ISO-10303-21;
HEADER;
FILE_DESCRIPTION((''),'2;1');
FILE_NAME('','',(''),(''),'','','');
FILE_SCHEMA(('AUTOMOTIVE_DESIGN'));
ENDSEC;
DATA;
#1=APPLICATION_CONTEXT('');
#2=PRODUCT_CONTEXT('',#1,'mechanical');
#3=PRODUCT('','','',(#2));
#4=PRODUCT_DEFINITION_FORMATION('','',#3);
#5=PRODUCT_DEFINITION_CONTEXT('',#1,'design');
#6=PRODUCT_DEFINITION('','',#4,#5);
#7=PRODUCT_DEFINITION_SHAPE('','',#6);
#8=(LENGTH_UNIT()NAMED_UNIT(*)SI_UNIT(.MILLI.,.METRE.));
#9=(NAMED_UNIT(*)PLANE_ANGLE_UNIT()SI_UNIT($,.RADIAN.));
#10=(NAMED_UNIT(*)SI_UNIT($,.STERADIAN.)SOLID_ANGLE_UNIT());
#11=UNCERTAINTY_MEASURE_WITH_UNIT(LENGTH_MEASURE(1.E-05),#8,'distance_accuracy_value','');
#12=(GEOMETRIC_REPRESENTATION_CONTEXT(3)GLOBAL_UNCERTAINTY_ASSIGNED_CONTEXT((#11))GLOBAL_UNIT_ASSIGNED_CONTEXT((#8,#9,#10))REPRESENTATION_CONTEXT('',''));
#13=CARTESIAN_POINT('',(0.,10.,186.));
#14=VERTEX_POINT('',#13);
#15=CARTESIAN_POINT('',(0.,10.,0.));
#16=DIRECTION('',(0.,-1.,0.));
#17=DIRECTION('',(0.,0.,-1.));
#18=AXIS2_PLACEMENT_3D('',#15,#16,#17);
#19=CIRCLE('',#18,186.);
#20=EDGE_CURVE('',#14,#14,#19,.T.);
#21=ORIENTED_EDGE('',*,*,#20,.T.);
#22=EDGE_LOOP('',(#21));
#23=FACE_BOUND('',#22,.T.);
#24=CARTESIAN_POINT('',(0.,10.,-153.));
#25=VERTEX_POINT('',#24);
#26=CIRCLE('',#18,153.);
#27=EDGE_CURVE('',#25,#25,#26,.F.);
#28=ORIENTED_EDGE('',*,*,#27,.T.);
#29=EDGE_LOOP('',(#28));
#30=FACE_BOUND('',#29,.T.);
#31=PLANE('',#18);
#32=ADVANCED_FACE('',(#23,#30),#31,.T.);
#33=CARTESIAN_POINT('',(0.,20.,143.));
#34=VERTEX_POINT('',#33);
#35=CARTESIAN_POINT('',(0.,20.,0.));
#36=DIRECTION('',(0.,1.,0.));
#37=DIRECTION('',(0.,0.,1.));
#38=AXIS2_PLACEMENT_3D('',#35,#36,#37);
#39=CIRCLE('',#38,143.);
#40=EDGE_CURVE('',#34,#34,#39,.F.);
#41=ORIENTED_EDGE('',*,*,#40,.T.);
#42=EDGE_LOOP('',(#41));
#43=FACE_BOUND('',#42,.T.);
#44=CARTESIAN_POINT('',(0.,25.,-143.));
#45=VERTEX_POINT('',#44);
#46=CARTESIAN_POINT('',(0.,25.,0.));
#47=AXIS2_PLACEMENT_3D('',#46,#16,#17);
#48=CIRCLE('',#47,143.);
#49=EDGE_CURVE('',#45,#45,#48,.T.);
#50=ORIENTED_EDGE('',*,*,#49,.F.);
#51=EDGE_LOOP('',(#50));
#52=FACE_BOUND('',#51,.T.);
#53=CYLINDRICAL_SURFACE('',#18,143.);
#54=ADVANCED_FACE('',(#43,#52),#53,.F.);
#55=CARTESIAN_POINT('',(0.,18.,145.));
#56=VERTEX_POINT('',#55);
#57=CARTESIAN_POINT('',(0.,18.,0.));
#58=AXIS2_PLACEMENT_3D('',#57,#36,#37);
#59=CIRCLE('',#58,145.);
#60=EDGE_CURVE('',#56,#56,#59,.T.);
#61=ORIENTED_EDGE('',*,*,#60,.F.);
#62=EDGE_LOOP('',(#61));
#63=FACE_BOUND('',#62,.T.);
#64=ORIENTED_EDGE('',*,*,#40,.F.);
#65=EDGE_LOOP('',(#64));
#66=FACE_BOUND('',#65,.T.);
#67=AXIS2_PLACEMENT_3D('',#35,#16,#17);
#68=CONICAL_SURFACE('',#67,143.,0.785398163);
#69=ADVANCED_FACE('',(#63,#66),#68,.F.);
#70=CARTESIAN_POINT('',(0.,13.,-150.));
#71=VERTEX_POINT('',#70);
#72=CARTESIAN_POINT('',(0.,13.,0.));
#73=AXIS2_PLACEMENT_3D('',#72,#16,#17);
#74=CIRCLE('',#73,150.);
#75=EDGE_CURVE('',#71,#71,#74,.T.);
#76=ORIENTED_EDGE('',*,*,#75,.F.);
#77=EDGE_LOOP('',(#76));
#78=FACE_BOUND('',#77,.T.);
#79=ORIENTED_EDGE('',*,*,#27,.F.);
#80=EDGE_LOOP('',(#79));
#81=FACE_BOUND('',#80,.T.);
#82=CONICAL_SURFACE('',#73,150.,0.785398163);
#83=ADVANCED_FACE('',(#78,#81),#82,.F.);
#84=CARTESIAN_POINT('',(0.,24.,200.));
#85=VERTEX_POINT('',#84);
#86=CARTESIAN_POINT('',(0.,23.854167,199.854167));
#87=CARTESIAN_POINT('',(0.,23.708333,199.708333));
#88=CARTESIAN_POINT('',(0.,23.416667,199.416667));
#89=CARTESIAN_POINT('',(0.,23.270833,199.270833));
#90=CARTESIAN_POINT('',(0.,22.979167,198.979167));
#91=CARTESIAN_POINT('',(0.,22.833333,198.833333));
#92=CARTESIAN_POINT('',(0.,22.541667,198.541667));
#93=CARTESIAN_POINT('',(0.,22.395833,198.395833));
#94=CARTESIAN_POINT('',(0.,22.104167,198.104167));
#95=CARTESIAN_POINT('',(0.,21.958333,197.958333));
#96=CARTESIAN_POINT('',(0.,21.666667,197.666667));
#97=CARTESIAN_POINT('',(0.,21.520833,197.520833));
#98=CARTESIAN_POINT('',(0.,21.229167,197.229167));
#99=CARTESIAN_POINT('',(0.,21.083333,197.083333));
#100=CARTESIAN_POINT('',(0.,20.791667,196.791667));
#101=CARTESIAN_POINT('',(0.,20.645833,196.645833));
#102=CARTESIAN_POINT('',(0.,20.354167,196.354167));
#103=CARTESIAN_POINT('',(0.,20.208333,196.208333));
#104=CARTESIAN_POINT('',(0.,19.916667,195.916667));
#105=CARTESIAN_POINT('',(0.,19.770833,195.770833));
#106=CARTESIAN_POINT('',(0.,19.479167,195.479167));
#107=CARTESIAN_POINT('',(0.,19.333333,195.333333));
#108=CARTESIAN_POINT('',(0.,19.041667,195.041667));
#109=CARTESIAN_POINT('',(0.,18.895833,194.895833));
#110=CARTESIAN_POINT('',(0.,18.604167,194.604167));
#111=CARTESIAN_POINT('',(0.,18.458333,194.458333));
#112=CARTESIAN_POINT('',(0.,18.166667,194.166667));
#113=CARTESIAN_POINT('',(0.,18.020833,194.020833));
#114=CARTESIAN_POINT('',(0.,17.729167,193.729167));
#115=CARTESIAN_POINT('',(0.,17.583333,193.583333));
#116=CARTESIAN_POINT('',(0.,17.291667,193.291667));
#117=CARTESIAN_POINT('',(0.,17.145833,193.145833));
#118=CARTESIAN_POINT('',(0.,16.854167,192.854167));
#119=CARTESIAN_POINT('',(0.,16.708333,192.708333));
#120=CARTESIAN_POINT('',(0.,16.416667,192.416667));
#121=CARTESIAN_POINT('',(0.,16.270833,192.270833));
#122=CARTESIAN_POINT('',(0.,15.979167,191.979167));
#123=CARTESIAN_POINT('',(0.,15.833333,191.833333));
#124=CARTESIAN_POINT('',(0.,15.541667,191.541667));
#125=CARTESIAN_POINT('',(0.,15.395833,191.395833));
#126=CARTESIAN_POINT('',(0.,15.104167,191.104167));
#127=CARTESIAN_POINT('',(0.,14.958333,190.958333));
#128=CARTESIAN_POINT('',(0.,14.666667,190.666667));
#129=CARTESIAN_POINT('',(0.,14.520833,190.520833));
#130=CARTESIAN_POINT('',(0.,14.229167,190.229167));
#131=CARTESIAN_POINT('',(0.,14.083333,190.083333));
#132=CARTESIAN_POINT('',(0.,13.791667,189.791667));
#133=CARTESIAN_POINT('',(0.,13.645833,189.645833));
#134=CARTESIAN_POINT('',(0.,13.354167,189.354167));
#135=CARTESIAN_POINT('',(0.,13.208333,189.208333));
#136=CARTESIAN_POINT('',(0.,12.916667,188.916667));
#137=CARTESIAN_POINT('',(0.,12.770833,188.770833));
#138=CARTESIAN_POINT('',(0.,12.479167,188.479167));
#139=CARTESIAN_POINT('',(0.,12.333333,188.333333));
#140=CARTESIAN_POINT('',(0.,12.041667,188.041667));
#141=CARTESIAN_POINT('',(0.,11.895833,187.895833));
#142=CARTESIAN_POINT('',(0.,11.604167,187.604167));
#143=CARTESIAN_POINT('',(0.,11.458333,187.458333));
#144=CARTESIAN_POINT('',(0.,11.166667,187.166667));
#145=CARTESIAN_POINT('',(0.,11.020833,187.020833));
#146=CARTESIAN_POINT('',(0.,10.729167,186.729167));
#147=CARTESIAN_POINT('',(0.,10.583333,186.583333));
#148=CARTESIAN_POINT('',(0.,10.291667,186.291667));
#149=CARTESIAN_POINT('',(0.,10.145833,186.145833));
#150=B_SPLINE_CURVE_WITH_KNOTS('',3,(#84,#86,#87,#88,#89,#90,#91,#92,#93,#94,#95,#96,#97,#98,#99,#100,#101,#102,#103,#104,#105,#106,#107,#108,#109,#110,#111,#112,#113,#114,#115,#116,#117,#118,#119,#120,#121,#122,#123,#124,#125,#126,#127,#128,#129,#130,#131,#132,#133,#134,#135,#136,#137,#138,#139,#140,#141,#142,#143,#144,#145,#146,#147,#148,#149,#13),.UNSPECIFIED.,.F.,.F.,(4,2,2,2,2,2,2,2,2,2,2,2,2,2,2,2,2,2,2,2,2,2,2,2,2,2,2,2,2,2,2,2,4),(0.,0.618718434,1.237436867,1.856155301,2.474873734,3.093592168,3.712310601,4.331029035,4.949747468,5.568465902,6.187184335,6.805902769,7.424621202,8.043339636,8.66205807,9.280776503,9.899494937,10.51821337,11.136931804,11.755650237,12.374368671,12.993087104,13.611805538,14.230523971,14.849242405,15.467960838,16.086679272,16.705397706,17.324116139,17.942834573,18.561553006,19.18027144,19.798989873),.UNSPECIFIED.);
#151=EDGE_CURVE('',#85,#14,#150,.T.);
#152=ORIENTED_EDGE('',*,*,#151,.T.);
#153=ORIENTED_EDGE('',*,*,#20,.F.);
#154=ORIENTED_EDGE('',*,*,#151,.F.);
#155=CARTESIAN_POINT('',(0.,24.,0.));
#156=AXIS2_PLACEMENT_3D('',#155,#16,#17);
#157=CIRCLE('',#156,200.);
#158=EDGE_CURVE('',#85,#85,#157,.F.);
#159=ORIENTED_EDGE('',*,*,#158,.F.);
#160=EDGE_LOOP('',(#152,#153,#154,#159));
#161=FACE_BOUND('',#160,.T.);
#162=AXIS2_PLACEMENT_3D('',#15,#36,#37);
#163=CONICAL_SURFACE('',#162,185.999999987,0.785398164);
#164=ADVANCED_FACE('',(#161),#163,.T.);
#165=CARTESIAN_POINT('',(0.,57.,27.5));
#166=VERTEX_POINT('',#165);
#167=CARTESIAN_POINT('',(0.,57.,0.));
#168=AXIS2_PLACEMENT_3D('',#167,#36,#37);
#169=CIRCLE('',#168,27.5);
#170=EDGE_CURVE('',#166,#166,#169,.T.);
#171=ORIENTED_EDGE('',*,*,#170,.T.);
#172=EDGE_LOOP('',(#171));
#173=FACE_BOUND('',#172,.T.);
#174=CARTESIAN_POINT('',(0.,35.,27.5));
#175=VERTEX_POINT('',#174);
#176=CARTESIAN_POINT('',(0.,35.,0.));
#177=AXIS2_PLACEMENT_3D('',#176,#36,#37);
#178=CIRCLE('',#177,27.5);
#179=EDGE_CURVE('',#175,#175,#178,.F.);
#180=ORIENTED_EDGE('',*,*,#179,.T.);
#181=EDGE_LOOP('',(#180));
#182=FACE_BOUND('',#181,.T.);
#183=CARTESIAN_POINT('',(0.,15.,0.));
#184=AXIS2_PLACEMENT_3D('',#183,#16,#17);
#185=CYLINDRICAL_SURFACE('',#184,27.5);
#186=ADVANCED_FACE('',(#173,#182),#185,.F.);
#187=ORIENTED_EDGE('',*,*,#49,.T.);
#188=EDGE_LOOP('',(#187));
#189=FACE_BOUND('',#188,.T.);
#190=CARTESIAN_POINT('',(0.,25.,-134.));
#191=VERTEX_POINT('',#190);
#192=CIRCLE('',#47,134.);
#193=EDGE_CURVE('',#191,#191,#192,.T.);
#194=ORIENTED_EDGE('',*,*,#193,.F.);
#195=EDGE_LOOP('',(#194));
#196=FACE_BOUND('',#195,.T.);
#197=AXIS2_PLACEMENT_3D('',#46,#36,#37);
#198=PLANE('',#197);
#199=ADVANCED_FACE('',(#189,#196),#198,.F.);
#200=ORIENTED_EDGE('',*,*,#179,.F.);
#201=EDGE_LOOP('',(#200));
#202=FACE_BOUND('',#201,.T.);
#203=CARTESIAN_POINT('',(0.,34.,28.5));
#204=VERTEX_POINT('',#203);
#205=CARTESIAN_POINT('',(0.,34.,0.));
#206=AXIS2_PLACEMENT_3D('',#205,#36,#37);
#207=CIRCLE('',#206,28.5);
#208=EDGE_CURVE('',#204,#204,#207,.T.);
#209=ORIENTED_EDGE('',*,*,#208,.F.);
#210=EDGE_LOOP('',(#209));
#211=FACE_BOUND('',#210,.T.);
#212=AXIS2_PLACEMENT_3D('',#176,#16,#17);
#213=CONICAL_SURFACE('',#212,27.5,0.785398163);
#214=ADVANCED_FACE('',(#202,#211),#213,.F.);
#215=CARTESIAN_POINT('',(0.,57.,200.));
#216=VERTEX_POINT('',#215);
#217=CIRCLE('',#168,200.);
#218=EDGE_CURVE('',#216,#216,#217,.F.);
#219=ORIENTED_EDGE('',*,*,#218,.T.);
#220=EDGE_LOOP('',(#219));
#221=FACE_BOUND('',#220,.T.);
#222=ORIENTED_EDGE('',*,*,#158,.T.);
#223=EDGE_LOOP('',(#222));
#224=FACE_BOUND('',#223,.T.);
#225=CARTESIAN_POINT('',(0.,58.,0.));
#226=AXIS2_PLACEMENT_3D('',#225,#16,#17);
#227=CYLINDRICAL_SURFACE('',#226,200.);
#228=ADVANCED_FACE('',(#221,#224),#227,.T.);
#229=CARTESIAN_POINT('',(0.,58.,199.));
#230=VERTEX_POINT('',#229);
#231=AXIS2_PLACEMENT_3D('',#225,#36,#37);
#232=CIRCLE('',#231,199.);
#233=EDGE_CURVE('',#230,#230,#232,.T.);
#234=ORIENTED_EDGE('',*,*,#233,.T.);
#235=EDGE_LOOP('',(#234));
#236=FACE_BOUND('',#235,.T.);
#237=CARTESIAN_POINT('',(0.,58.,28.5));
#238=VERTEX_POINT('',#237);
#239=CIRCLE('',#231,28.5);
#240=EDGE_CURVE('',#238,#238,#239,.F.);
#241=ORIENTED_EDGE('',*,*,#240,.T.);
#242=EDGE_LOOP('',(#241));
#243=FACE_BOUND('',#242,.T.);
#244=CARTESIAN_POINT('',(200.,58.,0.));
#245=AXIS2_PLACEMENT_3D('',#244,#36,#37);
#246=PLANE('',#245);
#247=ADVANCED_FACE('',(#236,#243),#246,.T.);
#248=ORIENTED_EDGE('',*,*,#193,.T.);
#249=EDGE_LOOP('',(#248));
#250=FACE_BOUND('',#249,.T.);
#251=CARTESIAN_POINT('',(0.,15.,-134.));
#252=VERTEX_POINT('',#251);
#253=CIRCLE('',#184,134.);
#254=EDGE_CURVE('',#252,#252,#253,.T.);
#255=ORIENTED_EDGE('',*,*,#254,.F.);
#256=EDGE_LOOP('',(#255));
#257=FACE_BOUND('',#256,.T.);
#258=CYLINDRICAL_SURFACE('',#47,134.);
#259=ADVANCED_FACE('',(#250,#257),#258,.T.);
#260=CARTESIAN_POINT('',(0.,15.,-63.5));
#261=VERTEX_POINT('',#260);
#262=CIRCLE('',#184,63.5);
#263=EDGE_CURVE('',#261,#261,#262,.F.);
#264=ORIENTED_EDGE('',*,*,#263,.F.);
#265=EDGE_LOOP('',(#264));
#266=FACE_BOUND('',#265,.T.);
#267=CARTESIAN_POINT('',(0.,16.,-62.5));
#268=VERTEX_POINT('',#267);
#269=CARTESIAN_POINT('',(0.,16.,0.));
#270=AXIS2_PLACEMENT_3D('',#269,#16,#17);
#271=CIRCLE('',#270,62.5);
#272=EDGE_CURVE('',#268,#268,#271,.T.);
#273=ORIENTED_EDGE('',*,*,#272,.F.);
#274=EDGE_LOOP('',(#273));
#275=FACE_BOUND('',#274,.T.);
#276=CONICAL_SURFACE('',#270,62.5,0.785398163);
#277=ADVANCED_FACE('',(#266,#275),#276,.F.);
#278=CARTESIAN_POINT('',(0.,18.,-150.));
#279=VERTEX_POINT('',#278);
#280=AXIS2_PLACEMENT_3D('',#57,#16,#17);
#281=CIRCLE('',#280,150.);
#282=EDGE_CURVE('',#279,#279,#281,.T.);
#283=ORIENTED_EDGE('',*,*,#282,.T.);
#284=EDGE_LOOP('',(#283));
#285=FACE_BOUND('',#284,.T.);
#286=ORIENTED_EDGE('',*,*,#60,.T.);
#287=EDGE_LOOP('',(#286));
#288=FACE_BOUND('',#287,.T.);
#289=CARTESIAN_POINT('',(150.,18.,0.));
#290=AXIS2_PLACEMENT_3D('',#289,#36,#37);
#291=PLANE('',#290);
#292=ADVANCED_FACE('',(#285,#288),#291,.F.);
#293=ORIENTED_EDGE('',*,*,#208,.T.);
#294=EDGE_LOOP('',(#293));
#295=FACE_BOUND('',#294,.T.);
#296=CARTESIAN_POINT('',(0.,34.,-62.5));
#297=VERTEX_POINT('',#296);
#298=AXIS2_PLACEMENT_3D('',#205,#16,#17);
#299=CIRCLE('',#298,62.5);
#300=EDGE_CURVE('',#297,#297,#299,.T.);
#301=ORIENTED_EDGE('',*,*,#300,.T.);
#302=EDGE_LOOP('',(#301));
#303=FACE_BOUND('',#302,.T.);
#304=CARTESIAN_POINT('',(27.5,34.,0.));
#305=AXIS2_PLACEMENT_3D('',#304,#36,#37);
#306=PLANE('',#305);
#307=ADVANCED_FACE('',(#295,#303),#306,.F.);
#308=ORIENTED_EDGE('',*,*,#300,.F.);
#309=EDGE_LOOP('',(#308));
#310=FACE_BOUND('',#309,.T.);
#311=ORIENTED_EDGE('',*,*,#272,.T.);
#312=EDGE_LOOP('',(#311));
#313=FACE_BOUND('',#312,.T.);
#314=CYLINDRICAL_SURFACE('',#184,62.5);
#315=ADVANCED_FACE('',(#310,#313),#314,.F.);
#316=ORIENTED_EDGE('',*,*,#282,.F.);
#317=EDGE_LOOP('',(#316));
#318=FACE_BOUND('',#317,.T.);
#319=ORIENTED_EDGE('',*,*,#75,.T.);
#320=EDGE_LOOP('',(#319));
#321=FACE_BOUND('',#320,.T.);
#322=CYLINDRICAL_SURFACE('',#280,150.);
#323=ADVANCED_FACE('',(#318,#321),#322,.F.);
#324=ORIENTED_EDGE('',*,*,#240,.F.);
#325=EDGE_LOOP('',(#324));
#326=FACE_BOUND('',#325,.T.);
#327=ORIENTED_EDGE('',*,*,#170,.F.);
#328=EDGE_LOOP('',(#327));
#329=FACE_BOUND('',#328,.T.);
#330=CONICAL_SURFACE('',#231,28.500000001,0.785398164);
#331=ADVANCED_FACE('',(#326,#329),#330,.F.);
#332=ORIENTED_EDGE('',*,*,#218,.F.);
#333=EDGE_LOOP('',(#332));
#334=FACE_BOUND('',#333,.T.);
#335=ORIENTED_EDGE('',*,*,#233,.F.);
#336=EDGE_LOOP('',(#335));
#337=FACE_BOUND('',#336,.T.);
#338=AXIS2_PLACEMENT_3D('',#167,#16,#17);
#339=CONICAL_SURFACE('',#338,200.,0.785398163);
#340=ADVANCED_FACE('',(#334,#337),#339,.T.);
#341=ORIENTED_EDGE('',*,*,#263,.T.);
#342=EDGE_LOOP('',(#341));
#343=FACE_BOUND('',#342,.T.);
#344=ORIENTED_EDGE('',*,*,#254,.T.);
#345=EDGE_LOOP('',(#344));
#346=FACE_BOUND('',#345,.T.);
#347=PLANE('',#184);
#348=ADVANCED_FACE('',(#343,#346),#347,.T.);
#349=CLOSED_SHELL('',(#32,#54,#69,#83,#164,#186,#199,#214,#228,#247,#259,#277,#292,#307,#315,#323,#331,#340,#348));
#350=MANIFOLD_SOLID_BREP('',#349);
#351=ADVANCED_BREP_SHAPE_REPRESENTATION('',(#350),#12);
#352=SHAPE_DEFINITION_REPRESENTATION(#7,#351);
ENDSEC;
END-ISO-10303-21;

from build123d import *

# Parameters (mm, degrees)
SKETCH_1_W                = 200
SKETCH_1_H                = 48
HOLE_WIZARD_1_D           = 286
HOLE_WIZARD_1_DEPTH       = 15
SKETCH_4_W                = 134
SKETCH_4_H                = 10
SKETCH_5_W                = 7
SKETCH_5_H                = 8
HOLE_WIZARD_3_D           = 55
HOLE_WIZARD_3_CBORE_D     = 125
HOLE_WIZARD_3_CBORE_DEPTH = 19
CHAMFER_1_SIZE2           = 1.000000001
CHAMFER_1_SIZE            = 0.999999999
CHAMFER_2_SIZE            = 2.999999997
CHAMFER_2_SIZE2           = 3.000000003
CHAMFER_3_SIZE            = 13.999999987
CHAMFER_3_SIZE2           = 14.000000013
CHAMFER_4_SIZE            = 1.999999998
CHAMFER_4_SIZE2           = 2.000000002


with BuildPart() as part:
    # 草圖1 → 旋轉1 (revolve)
    with BuildSketch(Plane.XY, mode=Mode.PRIVATE) as revolve_1_sk:
        with Locations((100, 34)):
            Rectangle(SKETCH_1_W, SKETCH_1_H)
    revolve(revolve_1_sk.sketch.rotate(Axis((0, 58, 0), (0, -1, 0)), 270), axis=Axis((0, 58, 0), (0, -1, 0)))

    # 鑽孔1
    with Locations(Plane(origin=(0, 10, 0), x_dir=(-1, 0, 0), z_dir=(0, -1, 0))):
        with Locations((0, 0)):
            Hole(HOLE_WIZARD_1_D / 2, depth=HOLE_WIZARD_1_DEPTH)

    # 草圖4 → 旋轉2 (revolve)
    with BuildSketch(Plane.XY, mode=Mode.PRIVATE) as revolve_2_sk:
        with Locations((67, 20)):
            Rectangle(SKETCH_4_W, SKETCH_4_H)
    revolve(revolve_2_sk.sketch.rotate(Axis((0, 25, 0), (0, -1, 0)), 270), axis=Axis((0, 25, 0), (0, -1, 0)))

    # 草圖5 → 除料-旋轉1 (revolve, cut)
    with BuildSketch(Plane.XY, mode=Mode.PRIVATE) as cut_revolve_1_sk:
        with Locations((146.5, 14)):
            Rectangle(SKETCH_5_W, SKETCH_5_H)
    revolve(cut_revolve_1_sk.sketch.rotate(Axis((0, 18, 0), (0, -1, 0)), 270), axis=Axis((0, 18, 0), (0, -1, 0)), mode=Mode.SUBTRACT)

    # 鑽孔3 (through all)
    with Locations(Plane(origin=(0, 15, 0), x_dir=(-1, 0, 0), z_dir=(0, -1, 0))):
        with Locations((0, 0)):
            CounterBoreHole(HOLE_WIZARD_3_D / 2, HOLE_WIZARD_3_CBORE_D / 2, HOLE_WIZARD_3_CBORE_DEPTH)

    # 導角1
    chamfer_1_edges = [part.edges().sort_by_distance(p)[0] for p in [
        (62.5, 15, 0),
        (-27.5, 58, 0),
        (-27.5, 34, 0),
        (0, 58, 200),
    ]]
    chamfer(chamfer_1_edges, length=CHAMFER_1_SIZE, length2=CHAMFER_1_SIZE2)

    # 導角2
    chamfer_2_edges = [part.edges().sort_by_distance(p)[0] for p in [
        (0, 10, 150),
    ]]
    chamfer_2_side = [part.faces().sort_by_distance(p)[0] for p in [
        (0, 10, 194.343145751),
    ]]
    chamfer(chamfer_2_edges, length=CHAMFER_2_SIZE, length2=CHAMFER_2_SIZE2, reference=chamfer_2_side[0])

    # 導角3
    chamfer_3_edges = [part.edges().sort_by_distance(p)[0] for p in [
        (0, 10, 200),
    ]]
    chamfer_3_side = [part.faces().sort_by_distance(p)[0] for p in [
        (0, 10, 158.656854247),
    ]]
    chamfer(chamfer_3_edges, length=CHAMFER_3_SIZE, length2=CHAMFER_3_SIZE2, reference=chamfer_3_side[0])

    # 導角4
    chamfer_4_edges = [part.edges().sort_by_distance(p)[0] for p in [
        (-143, 18, 0),
    ]]
    chamfer_4_side = [part.faces().sort_by_distance(p)[0] for p in [
        (0, 18, 145.757359313),
    ]]
    chamfer(chamfer_4_edges, length=CHAMFER_4_SIZE, length2=CHAMFER_4_SIZE2, reference=chamfer_4_side[0])


solid = part.part
